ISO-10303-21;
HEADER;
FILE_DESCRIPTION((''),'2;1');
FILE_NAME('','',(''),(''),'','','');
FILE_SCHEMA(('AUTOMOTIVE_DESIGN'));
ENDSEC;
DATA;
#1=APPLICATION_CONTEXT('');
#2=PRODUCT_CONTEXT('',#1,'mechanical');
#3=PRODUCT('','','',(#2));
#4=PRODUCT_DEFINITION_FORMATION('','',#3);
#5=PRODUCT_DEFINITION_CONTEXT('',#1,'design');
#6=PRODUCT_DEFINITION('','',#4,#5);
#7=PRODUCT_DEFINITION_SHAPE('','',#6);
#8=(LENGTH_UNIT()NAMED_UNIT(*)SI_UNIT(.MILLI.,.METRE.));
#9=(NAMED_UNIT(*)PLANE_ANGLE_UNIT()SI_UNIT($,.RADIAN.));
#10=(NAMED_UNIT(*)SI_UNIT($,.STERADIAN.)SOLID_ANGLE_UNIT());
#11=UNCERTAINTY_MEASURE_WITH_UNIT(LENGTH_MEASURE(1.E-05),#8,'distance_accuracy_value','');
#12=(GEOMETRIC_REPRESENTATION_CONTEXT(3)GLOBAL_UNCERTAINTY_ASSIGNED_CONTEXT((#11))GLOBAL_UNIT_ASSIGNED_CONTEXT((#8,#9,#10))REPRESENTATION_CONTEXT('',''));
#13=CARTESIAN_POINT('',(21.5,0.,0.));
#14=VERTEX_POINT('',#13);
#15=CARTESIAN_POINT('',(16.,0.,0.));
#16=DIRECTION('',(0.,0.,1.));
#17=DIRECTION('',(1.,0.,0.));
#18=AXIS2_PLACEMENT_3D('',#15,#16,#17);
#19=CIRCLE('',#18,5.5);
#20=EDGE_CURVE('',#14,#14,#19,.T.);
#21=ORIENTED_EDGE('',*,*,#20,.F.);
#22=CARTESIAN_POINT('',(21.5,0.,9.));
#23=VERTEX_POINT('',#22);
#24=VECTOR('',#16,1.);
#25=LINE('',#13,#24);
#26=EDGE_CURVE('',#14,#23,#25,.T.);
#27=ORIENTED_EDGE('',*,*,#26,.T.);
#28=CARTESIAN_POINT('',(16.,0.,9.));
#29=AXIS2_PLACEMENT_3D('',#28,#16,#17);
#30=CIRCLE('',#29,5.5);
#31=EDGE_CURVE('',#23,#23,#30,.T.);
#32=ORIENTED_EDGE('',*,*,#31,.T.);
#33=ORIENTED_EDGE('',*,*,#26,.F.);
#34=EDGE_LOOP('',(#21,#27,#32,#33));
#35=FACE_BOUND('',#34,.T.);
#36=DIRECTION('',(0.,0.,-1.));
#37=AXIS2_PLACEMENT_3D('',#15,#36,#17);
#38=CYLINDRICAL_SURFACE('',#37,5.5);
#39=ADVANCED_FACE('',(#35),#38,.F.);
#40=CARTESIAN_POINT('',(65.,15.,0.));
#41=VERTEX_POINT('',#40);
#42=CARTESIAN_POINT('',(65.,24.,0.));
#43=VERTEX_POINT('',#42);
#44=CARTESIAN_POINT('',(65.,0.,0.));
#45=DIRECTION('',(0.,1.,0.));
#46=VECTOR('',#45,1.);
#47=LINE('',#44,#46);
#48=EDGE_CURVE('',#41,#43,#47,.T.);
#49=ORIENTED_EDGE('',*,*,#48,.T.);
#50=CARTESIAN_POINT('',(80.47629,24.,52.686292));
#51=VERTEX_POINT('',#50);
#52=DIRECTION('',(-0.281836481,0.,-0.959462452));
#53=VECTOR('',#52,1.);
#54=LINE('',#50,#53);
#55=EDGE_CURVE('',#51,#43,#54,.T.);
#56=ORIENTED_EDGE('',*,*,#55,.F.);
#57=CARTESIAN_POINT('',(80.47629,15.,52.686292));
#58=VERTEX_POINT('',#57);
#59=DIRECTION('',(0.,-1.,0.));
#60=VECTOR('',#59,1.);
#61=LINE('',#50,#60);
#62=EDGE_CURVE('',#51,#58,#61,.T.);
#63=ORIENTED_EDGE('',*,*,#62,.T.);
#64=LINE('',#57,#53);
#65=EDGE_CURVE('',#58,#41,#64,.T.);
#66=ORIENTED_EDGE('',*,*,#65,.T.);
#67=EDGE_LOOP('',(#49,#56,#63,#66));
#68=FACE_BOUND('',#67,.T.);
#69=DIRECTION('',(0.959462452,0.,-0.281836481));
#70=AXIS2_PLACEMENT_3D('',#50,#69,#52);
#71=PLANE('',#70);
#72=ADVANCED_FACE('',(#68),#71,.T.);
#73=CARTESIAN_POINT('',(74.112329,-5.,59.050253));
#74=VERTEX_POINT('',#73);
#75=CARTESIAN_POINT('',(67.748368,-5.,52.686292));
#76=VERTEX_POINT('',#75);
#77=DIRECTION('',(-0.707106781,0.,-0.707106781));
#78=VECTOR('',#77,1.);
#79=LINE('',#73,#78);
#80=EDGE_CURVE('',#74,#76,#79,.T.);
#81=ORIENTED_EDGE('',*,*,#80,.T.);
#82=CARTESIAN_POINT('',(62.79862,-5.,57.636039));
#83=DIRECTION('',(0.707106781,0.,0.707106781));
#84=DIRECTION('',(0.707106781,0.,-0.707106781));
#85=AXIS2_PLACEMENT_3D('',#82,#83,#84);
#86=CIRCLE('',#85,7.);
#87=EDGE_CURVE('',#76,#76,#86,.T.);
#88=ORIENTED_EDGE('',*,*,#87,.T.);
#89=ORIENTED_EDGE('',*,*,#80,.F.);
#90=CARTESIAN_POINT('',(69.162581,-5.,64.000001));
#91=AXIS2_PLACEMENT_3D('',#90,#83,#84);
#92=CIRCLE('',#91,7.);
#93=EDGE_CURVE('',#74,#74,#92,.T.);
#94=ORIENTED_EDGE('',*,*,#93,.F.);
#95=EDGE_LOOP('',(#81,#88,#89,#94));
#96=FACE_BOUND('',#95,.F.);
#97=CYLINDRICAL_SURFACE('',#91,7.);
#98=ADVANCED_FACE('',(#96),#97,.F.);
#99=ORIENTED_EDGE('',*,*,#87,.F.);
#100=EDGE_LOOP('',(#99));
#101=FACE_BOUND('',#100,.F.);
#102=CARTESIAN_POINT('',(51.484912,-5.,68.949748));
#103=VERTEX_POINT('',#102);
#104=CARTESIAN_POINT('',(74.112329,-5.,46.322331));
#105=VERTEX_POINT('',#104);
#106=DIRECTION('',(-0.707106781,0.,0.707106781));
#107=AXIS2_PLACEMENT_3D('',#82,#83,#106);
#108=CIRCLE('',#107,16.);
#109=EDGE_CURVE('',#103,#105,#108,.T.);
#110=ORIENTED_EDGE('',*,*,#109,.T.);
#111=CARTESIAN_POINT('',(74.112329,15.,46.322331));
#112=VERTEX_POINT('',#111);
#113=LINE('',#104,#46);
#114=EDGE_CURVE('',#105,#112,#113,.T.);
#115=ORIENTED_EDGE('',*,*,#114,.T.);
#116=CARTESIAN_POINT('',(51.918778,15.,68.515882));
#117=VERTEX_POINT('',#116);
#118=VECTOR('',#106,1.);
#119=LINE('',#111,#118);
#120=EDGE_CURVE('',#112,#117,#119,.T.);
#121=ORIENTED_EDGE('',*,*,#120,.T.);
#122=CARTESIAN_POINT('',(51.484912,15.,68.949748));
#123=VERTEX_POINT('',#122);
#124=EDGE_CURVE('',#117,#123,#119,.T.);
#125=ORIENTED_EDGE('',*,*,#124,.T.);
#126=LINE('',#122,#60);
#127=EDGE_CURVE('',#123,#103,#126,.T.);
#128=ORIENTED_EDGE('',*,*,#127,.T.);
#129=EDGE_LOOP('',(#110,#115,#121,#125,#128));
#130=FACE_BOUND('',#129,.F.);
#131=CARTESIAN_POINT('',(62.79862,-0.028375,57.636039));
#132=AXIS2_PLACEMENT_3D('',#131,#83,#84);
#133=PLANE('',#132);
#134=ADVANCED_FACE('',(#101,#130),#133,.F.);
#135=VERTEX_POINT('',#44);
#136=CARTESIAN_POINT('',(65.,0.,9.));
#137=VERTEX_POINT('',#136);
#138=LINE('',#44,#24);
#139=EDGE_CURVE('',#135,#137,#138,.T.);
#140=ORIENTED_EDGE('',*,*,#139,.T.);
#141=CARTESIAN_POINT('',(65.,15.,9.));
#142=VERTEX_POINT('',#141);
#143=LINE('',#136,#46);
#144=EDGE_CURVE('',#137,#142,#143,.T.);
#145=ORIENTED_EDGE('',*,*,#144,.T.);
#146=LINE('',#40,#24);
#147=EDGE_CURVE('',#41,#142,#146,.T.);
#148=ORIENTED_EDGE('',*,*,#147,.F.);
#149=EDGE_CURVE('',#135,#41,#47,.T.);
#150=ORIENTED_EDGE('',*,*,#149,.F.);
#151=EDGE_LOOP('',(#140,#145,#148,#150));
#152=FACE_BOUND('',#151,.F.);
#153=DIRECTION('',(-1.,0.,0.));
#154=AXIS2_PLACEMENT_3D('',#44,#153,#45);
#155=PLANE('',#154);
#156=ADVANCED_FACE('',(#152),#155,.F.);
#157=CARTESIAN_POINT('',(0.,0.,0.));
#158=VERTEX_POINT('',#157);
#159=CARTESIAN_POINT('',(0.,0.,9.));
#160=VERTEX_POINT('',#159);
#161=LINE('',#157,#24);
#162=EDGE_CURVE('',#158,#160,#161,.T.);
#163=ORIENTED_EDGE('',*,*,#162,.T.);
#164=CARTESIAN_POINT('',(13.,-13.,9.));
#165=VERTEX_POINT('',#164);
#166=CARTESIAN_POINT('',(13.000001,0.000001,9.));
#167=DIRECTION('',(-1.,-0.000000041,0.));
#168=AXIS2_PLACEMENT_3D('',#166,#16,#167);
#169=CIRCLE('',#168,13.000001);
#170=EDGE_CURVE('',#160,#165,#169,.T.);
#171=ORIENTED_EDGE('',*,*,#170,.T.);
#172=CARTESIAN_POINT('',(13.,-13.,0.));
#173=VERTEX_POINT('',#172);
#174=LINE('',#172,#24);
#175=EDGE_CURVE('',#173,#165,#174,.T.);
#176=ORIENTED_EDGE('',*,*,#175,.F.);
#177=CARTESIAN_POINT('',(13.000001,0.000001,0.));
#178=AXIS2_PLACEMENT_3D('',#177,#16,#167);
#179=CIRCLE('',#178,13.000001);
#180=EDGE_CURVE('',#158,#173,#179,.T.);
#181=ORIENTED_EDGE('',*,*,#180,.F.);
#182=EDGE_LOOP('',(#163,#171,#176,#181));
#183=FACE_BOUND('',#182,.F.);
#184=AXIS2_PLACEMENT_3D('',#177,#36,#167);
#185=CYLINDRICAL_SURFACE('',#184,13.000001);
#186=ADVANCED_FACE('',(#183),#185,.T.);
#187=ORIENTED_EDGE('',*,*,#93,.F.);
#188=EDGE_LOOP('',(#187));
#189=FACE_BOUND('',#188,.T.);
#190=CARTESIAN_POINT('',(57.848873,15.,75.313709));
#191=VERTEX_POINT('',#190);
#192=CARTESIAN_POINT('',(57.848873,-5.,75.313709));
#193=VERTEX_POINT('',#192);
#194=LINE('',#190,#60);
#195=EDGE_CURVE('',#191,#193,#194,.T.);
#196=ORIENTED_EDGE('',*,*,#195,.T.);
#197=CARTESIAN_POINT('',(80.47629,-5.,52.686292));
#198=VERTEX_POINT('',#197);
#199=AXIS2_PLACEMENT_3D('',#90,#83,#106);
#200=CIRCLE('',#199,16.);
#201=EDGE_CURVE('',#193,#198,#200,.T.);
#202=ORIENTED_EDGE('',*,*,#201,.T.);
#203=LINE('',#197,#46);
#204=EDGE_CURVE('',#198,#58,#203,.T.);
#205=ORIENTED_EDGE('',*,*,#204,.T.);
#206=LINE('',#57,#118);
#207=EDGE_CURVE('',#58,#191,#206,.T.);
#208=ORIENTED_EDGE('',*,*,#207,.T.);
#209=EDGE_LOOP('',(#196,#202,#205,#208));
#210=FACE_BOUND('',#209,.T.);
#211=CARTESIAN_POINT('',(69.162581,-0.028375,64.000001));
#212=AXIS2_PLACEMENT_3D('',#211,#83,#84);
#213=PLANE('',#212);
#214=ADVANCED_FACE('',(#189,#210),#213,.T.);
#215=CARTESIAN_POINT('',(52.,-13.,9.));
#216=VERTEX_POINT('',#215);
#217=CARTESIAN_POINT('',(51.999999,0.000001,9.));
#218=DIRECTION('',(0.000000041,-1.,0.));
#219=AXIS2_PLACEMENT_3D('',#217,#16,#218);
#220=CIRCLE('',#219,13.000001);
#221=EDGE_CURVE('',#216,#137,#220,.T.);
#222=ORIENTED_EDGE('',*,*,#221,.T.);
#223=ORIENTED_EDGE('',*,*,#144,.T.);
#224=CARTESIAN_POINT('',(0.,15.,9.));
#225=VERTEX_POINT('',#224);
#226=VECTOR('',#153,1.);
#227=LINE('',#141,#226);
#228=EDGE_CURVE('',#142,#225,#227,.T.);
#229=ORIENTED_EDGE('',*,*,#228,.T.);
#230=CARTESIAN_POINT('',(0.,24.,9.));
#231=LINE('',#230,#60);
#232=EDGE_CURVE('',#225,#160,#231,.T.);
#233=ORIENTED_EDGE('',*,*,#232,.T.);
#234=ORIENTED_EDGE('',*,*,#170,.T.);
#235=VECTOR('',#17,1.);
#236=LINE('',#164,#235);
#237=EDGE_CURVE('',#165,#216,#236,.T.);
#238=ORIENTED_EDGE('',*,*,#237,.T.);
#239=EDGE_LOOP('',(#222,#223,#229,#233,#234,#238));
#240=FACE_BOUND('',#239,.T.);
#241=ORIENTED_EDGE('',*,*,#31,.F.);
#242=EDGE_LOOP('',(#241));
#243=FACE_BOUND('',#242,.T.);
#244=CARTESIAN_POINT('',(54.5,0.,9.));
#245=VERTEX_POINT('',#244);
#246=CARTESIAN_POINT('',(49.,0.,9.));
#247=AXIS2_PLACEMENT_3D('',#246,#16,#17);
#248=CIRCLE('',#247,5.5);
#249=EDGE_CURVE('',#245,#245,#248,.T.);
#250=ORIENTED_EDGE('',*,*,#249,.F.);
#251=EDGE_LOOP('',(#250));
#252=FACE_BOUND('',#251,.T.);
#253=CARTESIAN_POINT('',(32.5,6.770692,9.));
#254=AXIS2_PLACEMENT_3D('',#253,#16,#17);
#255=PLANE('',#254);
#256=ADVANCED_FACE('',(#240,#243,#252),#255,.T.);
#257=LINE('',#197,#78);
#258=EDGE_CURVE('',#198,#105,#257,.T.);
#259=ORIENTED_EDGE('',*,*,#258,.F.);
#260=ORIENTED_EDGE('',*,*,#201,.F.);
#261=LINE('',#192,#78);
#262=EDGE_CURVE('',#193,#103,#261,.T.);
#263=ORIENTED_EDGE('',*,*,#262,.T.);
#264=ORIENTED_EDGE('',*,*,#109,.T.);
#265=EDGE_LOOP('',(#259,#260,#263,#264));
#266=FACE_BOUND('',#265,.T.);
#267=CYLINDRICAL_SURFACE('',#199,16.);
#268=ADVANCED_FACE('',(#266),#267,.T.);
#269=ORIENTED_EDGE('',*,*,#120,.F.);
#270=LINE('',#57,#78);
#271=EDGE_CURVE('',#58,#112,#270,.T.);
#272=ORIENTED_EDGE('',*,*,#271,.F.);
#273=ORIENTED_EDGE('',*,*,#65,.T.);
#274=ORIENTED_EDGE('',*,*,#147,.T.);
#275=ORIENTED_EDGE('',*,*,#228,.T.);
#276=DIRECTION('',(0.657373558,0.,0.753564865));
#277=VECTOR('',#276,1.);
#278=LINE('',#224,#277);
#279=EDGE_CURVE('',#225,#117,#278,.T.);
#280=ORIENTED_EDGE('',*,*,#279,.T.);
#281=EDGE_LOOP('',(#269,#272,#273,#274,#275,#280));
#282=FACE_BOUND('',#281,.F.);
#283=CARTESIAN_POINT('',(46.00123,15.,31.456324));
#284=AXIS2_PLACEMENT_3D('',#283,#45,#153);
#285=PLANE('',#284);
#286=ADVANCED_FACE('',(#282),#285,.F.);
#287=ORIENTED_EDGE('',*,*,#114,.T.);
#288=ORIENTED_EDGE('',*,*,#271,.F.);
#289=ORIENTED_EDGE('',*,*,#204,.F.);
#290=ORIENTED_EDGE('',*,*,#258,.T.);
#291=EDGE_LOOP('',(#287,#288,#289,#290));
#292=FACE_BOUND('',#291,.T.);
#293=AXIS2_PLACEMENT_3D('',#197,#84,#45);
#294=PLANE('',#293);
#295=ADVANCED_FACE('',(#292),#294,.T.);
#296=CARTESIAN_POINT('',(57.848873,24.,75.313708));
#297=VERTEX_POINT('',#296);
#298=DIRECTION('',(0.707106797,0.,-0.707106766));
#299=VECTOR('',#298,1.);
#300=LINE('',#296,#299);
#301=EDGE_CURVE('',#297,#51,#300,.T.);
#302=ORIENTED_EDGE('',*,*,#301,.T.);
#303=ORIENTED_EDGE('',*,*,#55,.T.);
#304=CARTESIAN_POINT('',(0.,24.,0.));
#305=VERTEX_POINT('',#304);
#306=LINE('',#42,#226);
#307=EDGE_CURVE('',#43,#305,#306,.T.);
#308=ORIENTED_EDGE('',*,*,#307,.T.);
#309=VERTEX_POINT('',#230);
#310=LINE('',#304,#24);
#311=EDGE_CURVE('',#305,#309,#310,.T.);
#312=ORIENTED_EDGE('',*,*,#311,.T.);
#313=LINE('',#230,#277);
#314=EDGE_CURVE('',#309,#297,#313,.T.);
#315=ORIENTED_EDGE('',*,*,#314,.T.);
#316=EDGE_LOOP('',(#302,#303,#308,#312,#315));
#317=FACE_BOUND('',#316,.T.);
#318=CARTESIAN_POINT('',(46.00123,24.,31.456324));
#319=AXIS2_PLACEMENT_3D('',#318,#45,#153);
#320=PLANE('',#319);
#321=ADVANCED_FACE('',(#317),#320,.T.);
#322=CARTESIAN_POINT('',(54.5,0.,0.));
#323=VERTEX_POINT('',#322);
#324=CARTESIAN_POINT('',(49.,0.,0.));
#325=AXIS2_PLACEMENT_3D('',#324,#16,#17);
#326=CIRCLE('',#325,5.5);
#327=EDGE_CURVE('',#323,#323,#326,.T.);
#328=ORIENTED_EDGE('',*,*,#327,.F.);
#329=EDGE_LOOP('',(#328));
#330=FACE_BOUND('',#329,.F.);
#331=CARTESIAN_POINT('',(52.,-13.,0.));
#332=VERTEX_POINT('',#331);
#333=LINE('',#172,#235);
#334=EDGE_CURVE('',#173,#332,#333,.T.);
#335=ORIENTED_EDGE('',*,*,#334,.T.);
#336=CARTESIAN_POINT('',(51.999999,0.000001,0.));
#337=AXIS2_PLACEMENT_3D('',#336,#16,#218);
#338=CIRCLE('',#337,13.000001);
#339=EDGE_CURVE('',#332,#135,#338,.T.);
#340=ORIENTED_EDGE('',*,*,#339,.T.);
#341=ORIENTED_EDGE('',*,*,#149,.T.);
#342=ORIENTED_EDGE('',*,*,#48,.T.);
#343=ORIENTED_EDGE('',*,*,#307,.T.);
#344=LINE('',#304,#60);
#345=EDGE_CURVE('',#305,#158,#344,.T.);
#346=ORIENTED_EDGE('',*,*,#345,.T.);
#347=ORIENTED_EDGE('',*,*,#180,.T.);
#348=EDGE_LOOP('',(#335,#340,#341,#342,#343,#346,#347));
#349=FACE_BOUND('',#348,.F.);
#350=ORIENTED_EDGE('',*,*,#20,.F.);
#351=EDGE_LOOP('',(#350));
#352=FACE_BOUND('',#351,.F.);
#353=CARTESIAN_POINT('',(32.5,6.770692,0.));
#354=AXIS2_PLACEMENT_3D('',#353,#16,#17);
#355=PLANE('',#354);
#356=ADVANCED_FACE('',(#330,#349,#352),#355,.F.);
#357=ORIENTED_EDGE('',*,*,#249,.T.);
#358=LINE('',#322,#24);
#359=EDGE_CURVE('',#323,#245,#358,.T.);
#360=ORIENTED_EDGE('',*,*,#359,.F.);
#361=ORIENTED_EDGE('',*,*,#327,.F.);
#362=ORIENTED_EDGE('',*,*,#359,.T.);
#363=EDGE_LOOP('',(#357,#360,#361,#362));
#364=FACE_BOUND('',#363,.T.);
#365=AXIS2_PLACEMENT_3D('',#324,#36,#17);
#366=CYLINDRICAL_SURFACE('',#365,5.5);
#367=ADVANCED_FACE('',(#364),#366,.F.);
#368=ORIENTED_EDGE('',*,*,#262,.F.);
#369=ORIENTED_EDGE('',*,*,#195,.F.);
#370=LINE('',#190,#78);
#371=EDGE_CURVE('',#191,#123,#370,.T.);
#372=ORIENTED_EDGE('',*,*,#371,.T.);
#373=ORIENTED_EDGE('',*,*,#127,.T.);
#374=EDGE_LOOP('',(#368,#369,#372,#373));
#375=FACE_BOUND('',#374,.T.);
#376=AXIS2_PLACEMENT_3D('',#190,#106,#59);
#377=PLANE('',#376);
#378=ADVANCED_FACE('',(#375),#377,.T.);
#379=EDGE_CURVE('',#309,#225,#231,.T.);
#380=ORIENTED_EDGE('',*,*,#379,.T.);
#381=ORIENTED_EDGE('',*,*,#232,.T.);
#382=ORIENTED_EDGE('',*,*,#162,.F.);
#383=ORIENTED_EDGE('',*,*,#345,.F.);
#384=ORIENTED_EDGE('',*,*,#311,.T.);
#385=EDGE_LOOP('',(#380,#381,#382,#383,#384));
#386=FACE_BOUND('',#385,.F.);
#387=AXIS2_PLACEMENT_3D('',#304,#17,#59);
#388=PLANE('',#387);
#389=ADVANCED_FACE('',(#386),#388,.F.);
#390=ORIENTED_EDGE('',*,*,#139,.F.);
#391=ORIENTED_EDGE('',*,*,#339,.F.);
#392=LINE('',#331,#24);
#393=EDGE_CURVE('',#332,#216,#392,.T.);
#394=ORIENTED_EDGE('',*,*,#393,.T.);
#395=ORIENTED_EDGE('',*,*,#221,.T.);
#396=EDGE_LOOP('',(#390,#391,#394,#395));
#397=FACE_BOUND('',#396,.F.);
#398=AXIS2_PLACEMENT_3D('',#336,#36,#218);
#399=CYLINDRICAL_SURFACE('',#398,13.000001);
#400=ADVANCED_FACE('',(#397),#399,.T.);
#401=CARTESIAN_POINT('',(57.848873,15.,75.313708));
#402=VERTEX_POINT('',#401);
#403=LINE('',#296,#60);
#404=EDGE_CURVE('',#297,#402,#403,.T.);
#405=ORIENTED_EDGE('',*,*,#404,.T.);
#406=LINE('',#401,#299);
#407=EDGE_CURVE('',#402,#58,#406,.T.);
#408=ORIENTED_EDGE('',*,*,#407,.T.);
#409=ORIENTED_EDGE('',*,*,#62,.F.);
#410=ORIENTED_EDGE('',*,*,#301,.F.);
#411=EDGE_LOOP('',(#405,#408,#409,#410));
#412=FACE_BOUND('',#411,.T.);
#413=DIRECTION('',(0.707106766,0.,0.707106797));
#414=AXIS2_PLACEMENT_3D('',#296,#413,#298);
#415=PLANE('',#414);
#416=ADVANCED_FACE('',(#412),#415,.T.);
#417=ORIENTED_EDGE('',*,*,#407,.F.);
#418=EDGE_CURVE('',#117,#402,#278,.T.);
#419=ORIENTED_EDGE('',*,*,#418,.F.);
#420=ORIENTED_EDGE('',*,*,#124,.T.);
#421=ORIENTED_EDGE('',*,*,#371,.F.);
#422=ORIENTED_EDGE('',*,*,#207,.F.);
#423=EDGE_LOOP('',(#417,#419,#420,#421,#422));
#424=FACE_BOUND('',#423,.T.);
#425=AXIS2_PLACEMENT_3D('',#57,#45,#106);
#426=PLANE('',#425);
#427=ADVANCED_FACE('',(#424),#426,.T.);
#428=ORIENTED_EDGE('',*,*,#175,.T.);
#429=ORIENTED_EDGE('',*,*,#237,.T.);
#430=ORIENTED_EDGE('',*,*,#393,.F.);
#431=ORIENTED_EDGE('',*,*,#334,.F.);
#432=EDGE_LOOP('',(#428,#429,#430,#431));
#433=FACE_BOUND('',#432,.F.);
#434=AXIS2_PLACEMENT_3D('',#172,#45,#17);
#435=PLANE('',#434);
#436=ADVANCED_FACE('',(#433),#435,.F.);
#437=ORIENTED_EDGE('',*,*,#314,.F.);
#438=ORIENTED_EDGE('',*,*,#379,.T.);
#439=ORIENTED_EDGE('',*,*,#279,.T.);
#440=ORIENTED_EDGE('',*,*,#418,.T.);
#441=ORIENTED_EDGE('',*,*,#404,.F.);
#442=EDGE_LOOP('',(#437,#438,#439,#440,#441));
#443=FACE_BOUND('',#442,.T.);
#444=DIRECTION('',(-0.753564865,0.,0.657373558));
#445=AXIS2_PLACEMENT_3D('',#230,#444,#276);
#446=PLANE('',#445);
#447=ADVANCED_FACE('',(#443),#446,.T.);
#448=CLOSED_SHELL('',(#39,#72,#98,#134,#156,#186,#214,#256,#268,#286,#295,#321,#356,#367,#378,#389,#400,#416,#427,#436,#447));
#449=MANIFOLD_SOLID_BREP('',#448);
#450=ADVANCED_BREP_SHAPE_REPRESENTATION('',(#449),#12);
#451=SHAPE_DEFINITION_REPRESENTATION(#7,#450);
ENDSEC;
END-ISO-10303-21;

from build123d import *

# Parameters (mm, degrees)
F0_R     = 5.5
F1_DEPTH = 9
F3_DEPTH = 9
F4_R     = 7
F5_DEPTH = 9


with BuildPart() as f1:
    # F0 (on Top) → F1 (new body)
    with BuildSketch(Plane.XY):
        with BuildLine():
            Line((65, 24), (0, 24))
            Line((0, 24), (0, 0))
            ThreePointArc((0, 0), (3.807612, -9.192388), (13, -13))
            Line((13, -13), (52, -13))
            ThreePointArc((52, -13), (61.192388, -9.192388), (65, 0))
            Line((65, 0), (65, 24))
        make_face()
        with Locations((16, 0)):
            Circle(F0_R, mode=Mode.SUBTRACT)
        with Locations((49, 0)):
            Circle(F0_R, mode=Mode.SUBTRACT)
    extrude(amount=F1_DEPTH)

    # F2 (on face) → F3 (join)
    with BuildSketch(Plane(origin=(0, 24, 0), x_dir=(-1, 0, 0), z_dir=(0, 1, 0))):
        Polygon((-65, 9), (0, 9), (-57.848873, 75.313708), (-80.47629, 52.686292), (-65, 0), align=None)
    extrude(amount=-F3_DEPTH)

    # F4 (on face) → F5 (join)
    with BuildSketch(Plane(origin=(66.581291, 0, 66.581291), x_dir=(0.707107, 0, -0.707107), z_dir=(0.707107, 0, 0.707107))):
        with BuildLine():
            Line((19.650496, 15), (-12.349504, 15))
            Line((-12.349504, 15), (-12.349504, -5))
            ThreePointArc((-12.349504, -5), (3.650496, -21), (19.650496, -5))
            Line((19.650496, -5), (19.650496, 15))
        make_face()
        with Locations((3.650496, -5)):
            Circle(F4_R, mode=Mode.SUBTRACT)
    extrude(amount=-F5_DEPTH)


solid = f1.part
